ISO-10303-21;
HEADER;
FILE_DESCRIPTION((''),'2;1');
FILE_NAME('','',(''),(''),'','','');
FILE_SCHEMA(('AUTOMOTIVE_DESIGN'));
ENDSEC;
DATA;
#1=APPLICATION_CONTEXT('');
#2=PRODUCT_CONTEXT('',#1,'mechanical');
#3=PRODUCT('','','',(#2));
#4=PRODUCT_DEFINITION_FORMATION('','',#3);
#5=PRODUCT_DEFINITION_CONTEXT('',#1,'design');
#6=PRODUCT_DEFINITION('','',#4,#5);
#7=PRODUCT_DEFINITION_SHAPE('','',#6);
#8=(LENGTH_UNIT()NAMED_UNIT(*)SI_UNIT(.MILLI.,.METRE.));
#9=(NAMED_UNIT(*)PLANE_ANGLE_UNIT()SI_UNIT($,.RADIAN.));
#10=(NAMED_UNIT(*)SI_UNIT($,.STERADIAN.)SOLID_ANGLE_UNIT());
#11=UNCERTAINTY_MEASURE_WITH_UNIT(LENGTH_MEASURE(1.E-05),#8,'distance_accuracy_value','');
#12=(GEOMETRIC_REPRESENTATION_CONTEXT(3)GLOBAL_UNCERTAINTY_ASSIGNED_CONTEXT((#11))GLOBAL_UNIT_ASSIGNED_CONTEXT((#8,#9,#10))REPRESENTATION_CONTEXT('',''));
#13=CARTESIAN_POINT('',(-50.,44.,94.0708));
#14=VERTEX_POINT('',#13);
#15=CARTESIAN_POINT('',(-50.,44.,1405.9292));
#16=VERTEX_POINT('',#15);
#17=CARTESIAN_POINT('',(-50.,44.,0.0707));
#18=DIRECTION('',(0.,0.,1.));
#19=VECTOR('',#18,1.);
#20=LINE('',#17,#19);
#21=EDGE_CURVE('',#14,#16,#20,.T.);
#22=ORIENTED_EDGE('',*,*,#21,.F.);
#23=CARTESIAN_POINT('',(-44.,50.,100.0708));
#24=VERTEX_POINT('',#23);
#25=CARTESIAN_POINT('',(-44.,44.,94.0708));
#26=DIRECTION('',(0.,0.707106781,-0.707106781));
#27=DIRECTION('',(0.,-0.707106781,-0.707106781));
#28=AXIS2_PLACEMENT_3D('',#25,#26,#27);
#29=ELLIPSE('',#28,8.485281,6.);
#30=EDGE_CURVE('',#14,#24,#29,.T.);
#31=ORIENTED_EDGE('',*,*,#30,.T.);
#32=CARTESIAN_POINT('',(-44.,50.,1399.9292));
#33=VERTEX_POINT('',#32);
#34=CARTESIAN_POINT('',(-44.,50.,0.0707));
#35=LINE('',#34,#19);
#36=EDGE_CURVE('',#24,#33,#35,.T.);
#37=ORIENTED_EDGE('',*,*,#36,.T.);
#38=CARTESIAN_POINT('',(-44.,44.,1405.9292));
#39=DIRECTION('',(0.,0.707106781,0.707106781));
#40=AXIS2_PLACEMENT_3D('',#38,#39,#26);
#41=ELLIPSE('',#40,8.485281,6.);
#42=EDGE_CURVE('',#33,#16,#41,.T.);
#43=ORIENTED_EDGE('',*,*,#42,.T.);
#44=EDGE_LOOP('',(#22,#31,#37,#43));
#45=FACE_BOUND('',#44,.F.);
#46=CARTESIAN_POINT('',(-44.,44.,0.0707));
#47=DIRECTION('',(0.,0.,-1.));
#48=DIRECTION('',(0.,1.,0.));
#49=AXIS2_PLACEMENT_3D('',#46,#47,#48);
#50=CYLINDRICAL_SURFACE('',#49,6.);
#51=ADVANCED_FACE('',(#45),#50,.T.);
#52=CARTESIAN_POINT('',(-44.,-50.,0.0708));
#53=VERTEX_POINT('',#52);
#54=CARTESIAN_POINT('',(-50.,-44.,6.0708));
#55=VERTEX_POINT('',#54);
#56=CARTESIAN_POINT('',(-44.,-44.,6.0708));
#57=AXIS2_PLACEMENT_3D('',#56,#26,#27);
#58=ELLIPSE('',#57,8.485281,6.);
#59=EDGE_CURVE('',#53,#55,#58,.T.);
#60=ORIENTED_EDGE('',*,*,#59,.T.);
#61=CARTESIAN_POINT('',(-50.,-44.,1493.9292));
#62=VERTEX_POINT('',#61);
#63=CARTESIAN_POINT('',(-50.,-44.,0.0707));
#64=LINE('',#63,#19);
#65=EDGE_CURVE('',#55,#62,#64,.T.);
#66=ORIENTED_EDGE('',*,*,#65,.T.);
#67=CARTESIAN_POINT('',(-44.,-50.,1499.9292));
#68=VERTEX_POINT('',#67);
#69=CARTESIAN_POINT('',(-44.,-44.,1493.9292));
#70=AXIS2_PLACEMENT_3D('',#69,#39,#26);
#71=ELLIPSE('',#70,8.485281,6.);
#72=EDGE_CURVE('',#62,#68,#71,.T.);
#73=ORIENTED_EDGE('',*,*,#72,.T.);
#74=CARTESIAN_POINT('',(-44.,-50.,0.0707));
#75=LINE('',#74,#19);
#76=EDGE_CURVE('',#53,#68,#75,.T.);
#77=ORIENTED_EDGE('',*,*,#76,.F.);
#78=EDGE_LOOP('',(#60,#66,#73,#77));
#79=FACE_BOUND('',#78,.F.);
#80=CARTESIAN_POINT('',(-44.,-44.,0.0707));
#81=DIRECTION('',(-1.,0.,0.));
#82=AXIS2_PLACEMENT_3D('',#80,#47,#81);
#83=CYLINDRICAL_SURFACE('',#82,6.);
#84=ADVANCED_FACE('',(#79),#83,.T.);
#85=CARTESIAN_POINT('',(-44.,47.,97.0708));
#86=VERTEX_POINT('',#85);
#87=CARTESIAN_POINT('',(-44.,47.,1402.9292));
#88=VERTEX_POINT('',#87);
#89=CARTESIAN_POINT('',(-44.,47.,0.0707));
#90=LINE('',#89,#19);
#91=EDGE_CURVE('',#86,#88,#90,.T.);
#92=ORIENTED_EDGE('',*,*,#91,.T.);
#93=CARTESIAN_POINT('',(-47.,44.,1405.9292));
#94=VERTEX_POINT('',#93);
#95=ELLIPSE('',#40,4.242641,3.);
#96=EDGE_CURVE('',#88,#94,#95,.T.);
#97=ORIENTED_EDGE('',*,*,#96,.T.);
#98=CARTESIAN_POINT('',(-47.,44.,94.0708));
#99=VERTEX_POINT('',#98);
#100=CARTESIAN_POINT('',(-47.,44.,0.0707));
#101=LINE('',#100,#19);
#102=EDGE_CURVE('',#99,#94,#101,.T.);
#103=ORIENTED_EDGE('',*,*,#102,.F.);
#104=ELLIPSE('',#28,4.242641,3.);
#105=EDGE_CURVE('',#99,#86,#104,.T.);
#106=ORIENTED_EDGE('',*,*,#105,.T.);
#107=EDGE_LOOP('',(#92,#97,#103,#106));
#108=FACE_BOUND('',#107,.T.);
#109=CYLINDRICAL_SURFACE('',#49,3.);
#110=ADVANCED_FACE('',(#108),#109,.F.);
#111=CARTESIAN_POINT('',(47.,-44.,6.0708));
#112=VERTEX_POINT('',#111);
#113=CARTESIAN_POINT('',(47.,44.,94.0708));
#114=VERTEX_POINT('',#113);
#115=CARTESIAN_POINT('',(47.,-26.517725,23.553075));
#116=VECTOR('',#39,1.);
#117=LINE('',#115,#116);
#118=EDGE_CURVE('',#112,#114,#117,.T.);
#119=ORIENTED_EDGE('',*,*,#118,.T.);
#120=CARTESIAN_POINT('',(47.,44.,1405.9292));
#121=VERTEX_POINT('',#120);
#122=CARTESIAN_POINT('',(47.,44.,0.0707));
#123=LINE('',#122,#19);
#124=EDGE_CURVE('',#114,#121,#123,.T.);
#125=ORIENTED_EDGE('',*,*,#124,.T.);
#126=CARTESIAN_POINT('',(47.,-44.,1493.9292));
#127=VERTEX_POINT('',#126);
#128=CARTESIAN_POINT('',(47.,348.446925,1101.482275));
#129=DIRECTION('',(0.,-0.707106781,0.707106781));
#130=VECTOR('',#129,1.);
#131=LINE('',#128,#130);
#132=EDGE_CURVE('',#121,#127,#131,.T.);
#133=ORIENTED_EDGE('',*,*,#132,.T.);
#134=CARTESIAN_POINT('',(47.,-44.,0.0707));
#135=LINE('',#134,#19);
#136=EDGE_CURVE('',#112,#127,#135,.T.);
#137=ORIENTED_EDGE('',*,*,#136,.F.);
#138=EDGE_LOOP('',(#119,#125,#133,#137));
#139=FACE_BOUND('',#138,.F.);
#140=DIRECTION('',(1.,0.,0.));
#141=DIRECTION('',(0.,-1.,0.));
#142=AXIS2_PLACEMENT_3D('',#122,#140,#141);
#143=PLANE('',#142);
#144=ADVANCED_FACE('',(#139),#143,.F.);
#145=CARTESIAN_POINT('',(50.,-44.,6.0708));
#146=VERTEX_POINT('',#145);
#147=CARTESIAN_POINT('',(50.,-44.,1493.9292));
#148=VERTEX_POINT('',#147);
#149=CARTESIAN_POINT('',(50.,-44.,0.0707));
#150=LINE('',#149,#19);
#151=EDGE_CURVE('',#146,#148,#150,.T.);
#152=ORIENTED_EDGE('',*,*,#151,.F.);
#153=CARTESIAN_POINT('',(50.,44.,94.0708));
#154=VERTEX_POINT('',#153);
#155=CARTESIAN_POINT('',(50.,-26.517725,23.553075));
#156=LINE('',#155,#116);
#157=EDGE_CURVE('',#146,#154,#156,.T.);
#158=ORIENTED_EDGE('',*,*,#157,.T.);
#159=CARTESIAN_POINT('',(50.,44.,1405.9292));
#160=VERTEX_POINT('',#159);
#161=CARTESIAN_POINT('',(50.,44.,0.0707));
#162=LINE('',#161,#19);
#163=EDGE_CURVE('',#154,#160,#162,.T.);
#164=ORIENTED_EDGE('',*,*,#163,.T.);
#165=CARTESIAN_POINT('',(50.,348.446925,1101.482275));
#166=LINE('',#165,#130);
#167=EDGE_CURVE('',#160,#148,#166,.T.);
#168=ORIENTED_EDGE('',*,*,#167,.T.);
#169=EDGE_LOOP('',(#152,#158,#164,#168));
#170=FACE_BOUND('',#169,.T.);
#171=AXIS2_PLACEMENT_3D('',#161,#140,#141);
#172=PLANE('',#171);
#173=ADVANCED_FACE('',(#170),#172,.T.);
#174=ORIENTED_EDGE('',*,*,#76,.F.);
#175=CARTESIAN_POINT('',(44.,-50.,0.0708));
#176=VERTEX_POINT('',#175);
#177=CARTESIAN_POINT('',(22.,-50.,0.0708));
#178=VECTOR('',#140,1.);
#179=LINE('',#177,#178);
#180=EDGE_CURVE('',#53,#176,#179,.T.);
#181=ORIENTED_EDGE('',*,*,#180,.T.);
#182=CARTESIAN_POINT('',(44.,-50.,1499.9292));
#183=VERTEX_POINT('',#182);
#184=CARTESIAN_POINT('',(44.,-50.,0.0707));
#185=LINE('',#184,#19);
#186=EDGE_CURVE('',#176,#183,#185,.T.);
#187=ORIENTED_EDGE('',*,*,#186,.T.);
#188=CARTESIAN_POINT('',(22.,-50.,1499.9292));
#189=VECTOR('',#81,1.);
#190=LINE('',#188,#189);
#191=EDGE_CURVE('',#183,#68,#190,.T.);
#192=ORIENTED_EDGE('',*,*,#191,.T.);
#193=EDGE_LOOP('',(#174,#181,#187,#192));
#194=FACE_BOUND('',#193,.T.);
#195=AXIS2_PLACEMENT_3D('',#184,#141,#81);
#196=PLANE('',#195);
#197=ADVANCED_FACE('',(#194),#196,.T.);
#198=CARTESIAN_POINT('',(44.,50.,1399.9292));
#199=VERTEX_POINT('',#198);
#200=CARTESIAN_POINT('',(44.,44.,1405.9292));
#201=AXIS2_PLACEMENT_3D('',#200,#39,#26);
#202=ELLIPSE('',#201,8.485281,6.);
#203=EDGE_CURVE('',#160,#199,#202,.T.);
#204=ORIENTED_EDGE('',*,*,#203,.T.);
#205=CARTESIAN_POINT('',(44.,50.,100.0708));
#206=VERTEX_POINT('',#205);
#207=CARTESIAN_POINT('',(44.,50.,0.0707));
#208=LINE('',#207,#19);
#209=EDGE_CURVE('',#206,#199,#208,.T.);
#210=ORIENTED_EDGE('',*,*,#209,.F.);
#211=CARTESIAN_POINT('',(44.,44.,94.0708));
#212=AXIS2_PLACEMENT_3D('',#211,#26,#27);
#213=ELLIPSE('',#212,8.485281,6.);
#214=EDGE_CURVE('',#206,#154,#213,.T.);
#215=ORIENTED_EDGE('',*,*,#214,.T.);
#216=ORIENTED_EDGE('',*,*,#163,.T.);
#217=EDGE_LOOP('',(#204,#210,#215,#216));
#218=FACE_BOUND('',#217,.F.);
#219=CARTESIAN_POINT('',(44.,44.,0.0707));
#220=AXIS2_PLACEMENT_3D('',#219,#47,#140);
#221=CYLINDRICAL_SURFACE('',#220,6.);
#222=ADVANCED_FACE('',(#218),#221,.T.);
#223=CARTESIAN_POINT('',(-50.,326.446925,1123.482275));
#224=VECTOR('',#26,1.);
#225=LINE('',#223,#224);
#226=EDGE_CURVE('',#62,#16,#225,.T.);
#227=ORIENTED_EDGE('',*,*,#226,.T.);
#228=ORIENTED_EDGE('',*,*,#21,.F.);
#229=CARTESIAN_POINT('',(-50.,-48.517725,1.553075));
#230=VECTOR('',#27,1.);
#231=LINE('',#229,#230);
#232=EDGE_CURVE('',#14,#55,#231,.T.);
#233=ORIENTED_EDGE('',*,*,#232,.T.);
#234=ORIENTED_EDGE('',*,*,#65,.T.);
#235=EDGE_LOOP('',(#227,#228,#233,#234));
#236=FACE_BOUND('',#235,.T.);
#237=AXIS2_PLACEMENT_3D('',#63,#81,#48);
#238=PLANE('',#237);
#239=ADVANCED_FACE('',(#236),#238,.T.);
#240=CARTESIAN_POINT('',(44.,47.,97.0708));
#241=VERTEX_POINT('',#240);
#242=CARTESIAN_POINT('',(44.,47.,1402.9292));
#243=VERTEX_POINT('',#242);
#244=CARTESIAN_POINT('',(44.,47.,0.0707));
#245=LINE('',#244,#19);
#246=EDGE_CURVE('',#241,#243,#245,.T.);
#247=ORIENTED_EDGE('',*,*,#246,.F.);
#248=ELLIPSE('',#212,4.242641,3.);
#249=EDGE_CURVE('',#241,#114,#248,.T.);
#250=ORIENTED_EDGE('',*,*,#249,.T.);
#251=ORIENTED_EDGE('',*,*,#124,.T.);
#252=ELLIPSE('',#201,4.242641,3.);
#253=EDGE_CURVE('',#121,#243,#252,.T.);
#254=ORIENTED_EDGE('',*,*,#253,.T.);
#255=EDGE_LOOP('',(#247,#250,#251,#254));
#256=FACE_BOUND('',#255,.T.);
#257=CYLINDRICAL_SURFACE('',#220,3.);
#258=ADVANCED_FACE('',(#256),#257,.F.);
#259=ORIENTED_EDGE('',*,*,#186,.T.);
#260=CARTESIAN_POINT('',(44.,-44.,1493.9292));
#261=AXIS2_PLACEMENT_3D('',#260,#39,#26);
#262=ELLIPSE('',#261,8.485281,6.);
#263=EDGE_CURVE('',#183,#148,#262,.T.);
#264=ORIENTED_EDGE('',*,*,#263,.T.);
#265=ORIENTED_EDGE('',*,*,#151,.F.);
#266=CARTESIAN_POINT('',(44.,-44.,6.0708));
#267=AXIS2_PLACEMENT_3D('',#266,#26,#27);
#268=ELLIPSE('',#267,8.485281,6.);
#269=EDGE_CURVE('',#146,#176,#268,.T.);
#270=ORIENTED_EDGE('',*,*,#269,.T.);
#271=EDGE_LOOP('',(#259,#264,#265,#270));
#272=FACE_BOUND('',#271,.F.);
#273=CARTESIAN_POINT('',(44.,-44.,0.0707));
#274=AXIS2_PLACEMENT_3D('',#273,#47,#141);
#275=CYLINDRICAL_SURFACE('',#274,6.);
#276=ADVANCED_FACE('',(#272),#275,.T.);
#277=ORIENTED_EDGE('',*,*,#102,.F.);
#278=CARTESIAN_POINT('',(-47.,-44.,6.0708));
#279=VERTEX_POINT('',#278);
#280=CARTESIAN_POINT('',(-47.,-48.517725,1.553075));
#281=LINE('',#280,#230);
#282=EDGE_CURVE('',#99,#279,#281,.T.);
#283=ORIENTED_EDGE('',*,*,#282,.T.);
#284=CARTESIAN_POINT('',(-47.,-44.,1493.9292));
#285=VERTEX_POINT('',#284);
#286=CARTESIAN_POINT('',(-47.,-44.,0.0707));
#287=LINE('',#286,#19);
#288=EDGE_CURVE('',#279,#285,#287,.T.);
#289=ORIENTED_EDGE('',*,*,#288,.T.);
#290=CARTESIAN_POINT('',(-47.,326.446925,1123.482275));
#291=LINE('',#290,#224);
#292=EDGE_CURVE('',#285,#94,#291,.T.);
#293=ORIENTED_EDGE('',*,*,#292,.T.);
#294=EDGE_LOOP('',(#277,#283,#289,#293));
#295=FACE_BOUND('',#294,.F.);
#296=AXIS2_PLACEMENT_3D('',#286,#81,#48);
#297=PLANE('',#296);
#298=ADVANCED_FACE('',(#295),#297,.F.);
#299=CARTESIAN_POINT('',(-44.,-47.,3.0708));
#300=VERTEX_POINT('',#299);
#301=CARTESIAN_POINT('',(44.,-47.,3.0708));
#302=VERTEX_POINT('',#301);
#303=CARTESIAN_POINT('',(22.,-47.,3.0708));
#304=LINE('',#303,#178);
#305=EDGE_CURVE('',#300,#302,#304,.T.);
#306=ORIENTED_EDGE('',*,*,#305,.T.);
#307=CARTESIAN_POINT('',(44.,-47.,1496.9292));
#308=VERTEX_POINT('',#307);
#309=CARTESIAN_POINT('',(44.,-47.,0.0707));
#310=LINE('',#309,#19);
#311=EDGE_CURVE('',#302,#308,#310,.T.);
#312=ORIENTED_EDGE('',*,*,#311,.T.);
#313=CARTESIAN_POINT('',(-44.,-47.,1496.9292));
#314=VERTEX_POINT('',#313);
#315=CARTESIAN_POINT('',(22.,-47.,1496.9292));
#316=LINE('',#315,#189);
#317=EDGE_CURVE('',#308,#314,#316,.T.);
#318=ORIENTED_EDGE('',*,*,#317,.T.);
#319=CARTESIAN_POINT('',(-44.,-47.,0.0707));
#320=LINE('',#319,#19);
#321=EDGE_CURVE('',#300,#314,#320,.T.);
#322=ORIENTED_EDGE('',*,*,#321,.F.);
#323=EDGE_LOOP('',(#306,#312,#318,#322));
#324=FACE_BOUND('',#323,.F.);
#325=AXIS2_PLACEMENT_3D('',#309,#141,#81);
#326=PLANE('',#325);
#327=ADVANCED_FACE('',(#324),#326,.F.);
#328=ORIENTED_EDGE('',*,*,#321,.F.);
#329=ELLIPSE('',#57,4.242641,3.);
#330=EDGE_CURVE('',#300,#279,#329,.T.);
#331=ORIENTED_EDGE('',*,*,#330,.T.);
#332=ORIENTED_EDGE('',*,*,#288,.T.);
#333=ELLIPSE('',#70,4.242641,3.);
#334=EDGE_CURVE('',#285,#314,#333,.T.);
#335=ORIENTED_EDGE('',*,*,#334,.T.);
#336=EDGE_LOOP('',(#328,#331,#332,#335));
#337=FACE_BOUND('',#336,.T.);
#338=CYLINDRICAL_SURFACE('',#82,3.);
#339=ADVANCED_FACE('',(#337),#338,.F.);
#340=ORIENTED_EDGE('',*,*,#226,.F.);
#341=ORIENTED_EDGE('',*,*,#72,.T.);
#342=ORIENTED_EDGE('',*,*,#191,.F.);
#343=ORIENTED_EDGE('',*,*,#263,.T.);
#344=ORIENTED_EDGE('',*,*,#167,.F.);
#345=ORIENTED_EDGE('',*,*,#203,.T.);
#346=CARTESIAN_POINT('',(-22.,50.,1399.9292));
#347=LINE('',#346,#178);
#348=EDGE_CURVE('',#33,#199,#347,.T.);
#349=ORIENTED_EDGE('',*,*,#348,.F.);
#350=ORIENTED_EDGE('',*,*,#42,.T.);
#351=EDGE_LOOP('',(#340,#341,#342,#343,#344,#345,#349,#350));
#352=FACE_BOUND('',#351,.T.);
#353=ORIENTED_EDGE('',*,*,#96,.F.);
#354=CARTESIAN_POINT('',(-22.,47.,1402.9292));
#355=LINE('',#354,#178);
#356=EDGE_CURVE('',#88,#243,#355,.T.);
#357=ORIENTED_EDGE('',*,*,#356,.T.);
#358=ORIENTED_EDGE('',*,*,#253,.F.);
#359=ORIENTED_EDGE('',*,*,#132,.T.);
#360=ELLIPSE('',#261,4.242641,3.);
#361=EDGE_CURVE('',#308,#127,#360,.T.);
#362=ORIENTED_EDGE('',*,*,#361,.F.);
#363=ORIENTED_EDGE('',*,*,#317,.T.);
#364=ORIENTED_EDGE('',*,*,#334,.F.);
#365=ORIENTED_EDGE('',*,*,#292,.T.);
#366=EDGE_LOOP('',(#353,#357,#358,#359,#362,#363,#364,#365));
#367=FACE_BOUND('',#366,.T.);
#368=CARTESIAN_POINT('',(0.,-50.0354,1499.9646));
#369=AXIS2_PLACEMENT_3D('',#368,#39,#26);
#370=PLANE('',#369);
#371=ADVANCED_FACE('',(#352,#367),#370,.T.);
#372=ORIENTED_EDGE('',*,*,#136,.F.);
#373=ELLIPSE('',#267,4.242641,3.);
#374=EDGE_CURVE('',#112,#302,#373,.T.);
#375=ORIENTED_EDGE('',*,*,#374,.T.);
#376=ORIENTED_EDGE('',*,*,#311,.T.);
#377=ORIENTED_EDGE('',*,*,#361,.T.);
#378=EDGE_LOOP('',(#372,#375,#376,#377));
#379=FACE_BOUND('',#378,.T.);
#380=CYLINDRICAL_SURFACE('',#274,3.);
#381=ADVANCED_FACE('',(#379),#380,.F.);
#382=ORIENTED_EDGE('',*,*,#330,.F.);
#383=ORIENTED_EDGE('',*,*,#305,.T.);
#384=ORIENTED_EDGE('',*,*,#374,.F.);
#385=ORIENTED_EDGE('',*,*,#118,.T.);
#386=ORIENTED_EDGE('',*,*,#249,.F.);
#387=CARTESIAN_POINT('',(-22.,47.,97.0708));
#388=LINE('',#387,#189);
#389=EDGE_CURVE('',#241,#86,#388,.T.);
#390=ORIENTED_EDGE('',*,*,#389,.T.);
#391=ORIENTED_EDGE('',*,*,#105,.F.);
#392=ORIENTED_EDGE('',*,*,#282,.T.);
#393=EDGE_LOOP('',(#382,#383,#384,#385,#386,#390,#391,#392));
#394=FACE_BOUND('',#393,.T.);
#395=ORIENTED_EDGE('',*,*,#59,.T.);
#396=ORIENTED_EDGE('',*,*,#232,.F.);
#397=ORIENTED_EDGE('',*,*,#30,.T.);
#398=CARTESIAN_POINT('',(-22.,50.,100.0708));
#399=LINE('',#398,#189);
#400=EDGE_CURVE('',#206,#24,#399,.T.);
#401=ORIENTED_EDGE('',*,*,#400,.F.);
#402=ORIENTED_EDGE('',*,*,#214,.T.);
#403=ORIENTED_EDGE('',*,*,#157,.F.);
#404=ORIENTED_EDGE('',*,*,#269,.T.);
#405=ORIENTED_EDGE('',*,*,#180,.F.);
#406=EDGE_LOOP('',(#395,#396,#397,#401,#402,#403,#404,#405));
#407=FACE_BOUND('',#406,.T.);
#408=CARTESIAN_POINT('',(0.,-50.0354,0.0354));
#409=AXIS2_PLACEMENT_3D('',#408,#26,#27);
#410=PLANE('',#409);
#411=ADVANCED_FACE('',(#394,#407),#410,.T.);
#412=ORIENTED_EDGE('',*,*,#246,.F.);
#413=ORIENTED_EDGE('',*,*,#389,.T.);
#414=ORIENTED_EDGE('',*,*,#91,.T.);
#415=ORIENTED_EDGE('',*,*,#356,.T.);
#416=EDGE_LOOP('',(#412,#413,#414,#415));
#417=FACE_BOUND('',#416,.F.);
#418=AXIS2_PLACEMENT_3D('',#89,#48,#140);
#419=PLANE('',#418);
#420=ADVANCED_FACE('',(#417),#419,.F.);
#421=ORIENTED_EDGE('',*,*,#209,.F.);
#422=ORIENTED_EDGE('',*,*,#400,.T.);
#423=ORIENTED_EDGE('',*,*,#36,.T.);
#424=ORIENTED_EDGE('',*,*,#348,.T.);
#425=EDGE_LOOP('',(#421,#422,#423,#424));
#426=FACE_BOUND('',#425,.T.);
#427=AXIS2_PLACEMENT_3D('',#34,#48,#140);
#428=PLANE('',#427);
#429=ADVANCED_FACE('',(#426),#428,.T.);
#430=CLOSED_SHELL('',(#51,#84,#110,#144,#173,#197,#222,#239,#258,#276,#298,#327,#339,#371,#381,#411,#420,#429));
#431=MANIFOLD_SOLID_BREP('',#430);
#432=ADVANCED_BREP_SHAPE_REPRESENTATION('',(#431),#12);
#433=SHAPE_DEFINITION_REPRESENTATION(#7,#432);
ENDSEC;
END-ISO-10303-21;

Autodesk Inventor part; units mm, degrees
ref_plane "Start Plane" through (0, 0, 0.0707) normal (0, 0, 1) x (1, 0, 0)
ref_plane "End Plane" through (0, 0, 1499.9293) normal (0, 0, 1) x (1, 0, 0)
sketch "Sketch" plane through (0, 0, 0) normal (0, 0, 1) x (1, 0, 0)
  line L0 (-50, -44) -> (-50, 44)
  line L1 (-44, 50) -> (44, 50)
  line L2 (50, 44) -> (50, -44)
  line L3 (44, -50) -> (-44, -50)
  arc A0 (-50, -44) -> (-44, -50) centre (-44, -44) ccw
  arc A1 (50, 44) -> (44, 50) centre (44, 44) ccw
  arc A2 (-44, 50) -> (-50, 44) centre (-44, 44) ccw
  arc A3 (44, -50) -> (50, -44) centre (44, -44) ccw
  arc A4 (-44, 47) -> (-47, 44) centre (-44, 44) ccw
  line L4 (-44, 47) -> (44, 47)
  arc A5 (47, 44) -> (44, 47) centre (44, 44) ccw
  line L5 (47, 44) -> (47, -44)
  arc A6 (44, -47) -> (47, -44) centre (44, -44) ccw
  line L6 (44, -47) -> (-44, -47)
  arc A7 (-47, -44) -> (-44, -47) centre (-44, -44) ccw
  line L7 (-47, -44) -> (-47, 44)
  line L8 (0, 71.7397) -> (0, -71.7397) construction
  line L9 (-71.7397, 0) -> (71.7397, 0) construction
  dimension "d7" = 6
  dimension "d9" = 100
  dimension "d11" = 100
  dimension "d12" = 3
  dimension "d15" = 50
  dimension "d16" = 50
extrude "Body" add sketch "Sketch" along normal up to surface (1499.8586 mm away) from surface at 0.0707
sketch "Sketch3" plane through (0, 0, 0) normal (0, 0, 1) x (1, 0, 0)
  line L0 (0, 0) -> (10, 0)
ref_plane "Work Plane3" through (0, 0, 0) normal (0, -1, 0) x (1, 0, 0)
ref_plane "Work Plane4" through (0, -50.0354, 0.0354) normal (0, 0.7071, -0.7071) x (1, 0, 0)
split "Split1" plane through (0, -50.0354, 0.0354) removes the side toward (0, 0.7071, -0.7071)
ref_plane "Work Plane5" through (0, -50.0354, 1499.9646) normal (0, 0.7071, 0.7071) x (1, 0, 0)
split "Split2" plane through (0, -50.0354, 1499.9646) removes the side toward (0, 0.7071, 0.7071)
sketch "Sketch4" plane through (0, 0, 0) normal (0, -1, 0) x (1, 0, 0)
  line L0 (-2, 0.0707) -> (12, 0.0707) projected
  line L1 (-2, 1499.9293) -> (12, 1499.9293) projected
  dimension "d18" = 1499.8586
equation "\"d7\" = G_IR"
equation "\"d9\" = G_W"
equation "\"d11\" = G_H"
equation "\"d12\" = G_T"
equation "\"d15\" = 0.5 * d9"
equation "\"d16\" = 0.5 * d11"
equation "\"d3\" = G_L"
equation "\"G_W\" = 100"
equation "\"G_H\" = 100"
equation "\"G_T\" = 3"
equation "\"G_IR\" = 6"
equation "\"G_L\" = d18"
equation "\"G_OFFSET_START\" = -0.07071"
equation "\"G_OFFSET_END\" = -0.07071"
equation "\"d13\" = -G_OFFSET_START"
equation "\"d14\" = G_OFFSET_END + B_L"
equation "\"B_L\" = 1500"
properties part number "ISO 10799-2 - 100x100x3 - 1499,86" material "Steel"
